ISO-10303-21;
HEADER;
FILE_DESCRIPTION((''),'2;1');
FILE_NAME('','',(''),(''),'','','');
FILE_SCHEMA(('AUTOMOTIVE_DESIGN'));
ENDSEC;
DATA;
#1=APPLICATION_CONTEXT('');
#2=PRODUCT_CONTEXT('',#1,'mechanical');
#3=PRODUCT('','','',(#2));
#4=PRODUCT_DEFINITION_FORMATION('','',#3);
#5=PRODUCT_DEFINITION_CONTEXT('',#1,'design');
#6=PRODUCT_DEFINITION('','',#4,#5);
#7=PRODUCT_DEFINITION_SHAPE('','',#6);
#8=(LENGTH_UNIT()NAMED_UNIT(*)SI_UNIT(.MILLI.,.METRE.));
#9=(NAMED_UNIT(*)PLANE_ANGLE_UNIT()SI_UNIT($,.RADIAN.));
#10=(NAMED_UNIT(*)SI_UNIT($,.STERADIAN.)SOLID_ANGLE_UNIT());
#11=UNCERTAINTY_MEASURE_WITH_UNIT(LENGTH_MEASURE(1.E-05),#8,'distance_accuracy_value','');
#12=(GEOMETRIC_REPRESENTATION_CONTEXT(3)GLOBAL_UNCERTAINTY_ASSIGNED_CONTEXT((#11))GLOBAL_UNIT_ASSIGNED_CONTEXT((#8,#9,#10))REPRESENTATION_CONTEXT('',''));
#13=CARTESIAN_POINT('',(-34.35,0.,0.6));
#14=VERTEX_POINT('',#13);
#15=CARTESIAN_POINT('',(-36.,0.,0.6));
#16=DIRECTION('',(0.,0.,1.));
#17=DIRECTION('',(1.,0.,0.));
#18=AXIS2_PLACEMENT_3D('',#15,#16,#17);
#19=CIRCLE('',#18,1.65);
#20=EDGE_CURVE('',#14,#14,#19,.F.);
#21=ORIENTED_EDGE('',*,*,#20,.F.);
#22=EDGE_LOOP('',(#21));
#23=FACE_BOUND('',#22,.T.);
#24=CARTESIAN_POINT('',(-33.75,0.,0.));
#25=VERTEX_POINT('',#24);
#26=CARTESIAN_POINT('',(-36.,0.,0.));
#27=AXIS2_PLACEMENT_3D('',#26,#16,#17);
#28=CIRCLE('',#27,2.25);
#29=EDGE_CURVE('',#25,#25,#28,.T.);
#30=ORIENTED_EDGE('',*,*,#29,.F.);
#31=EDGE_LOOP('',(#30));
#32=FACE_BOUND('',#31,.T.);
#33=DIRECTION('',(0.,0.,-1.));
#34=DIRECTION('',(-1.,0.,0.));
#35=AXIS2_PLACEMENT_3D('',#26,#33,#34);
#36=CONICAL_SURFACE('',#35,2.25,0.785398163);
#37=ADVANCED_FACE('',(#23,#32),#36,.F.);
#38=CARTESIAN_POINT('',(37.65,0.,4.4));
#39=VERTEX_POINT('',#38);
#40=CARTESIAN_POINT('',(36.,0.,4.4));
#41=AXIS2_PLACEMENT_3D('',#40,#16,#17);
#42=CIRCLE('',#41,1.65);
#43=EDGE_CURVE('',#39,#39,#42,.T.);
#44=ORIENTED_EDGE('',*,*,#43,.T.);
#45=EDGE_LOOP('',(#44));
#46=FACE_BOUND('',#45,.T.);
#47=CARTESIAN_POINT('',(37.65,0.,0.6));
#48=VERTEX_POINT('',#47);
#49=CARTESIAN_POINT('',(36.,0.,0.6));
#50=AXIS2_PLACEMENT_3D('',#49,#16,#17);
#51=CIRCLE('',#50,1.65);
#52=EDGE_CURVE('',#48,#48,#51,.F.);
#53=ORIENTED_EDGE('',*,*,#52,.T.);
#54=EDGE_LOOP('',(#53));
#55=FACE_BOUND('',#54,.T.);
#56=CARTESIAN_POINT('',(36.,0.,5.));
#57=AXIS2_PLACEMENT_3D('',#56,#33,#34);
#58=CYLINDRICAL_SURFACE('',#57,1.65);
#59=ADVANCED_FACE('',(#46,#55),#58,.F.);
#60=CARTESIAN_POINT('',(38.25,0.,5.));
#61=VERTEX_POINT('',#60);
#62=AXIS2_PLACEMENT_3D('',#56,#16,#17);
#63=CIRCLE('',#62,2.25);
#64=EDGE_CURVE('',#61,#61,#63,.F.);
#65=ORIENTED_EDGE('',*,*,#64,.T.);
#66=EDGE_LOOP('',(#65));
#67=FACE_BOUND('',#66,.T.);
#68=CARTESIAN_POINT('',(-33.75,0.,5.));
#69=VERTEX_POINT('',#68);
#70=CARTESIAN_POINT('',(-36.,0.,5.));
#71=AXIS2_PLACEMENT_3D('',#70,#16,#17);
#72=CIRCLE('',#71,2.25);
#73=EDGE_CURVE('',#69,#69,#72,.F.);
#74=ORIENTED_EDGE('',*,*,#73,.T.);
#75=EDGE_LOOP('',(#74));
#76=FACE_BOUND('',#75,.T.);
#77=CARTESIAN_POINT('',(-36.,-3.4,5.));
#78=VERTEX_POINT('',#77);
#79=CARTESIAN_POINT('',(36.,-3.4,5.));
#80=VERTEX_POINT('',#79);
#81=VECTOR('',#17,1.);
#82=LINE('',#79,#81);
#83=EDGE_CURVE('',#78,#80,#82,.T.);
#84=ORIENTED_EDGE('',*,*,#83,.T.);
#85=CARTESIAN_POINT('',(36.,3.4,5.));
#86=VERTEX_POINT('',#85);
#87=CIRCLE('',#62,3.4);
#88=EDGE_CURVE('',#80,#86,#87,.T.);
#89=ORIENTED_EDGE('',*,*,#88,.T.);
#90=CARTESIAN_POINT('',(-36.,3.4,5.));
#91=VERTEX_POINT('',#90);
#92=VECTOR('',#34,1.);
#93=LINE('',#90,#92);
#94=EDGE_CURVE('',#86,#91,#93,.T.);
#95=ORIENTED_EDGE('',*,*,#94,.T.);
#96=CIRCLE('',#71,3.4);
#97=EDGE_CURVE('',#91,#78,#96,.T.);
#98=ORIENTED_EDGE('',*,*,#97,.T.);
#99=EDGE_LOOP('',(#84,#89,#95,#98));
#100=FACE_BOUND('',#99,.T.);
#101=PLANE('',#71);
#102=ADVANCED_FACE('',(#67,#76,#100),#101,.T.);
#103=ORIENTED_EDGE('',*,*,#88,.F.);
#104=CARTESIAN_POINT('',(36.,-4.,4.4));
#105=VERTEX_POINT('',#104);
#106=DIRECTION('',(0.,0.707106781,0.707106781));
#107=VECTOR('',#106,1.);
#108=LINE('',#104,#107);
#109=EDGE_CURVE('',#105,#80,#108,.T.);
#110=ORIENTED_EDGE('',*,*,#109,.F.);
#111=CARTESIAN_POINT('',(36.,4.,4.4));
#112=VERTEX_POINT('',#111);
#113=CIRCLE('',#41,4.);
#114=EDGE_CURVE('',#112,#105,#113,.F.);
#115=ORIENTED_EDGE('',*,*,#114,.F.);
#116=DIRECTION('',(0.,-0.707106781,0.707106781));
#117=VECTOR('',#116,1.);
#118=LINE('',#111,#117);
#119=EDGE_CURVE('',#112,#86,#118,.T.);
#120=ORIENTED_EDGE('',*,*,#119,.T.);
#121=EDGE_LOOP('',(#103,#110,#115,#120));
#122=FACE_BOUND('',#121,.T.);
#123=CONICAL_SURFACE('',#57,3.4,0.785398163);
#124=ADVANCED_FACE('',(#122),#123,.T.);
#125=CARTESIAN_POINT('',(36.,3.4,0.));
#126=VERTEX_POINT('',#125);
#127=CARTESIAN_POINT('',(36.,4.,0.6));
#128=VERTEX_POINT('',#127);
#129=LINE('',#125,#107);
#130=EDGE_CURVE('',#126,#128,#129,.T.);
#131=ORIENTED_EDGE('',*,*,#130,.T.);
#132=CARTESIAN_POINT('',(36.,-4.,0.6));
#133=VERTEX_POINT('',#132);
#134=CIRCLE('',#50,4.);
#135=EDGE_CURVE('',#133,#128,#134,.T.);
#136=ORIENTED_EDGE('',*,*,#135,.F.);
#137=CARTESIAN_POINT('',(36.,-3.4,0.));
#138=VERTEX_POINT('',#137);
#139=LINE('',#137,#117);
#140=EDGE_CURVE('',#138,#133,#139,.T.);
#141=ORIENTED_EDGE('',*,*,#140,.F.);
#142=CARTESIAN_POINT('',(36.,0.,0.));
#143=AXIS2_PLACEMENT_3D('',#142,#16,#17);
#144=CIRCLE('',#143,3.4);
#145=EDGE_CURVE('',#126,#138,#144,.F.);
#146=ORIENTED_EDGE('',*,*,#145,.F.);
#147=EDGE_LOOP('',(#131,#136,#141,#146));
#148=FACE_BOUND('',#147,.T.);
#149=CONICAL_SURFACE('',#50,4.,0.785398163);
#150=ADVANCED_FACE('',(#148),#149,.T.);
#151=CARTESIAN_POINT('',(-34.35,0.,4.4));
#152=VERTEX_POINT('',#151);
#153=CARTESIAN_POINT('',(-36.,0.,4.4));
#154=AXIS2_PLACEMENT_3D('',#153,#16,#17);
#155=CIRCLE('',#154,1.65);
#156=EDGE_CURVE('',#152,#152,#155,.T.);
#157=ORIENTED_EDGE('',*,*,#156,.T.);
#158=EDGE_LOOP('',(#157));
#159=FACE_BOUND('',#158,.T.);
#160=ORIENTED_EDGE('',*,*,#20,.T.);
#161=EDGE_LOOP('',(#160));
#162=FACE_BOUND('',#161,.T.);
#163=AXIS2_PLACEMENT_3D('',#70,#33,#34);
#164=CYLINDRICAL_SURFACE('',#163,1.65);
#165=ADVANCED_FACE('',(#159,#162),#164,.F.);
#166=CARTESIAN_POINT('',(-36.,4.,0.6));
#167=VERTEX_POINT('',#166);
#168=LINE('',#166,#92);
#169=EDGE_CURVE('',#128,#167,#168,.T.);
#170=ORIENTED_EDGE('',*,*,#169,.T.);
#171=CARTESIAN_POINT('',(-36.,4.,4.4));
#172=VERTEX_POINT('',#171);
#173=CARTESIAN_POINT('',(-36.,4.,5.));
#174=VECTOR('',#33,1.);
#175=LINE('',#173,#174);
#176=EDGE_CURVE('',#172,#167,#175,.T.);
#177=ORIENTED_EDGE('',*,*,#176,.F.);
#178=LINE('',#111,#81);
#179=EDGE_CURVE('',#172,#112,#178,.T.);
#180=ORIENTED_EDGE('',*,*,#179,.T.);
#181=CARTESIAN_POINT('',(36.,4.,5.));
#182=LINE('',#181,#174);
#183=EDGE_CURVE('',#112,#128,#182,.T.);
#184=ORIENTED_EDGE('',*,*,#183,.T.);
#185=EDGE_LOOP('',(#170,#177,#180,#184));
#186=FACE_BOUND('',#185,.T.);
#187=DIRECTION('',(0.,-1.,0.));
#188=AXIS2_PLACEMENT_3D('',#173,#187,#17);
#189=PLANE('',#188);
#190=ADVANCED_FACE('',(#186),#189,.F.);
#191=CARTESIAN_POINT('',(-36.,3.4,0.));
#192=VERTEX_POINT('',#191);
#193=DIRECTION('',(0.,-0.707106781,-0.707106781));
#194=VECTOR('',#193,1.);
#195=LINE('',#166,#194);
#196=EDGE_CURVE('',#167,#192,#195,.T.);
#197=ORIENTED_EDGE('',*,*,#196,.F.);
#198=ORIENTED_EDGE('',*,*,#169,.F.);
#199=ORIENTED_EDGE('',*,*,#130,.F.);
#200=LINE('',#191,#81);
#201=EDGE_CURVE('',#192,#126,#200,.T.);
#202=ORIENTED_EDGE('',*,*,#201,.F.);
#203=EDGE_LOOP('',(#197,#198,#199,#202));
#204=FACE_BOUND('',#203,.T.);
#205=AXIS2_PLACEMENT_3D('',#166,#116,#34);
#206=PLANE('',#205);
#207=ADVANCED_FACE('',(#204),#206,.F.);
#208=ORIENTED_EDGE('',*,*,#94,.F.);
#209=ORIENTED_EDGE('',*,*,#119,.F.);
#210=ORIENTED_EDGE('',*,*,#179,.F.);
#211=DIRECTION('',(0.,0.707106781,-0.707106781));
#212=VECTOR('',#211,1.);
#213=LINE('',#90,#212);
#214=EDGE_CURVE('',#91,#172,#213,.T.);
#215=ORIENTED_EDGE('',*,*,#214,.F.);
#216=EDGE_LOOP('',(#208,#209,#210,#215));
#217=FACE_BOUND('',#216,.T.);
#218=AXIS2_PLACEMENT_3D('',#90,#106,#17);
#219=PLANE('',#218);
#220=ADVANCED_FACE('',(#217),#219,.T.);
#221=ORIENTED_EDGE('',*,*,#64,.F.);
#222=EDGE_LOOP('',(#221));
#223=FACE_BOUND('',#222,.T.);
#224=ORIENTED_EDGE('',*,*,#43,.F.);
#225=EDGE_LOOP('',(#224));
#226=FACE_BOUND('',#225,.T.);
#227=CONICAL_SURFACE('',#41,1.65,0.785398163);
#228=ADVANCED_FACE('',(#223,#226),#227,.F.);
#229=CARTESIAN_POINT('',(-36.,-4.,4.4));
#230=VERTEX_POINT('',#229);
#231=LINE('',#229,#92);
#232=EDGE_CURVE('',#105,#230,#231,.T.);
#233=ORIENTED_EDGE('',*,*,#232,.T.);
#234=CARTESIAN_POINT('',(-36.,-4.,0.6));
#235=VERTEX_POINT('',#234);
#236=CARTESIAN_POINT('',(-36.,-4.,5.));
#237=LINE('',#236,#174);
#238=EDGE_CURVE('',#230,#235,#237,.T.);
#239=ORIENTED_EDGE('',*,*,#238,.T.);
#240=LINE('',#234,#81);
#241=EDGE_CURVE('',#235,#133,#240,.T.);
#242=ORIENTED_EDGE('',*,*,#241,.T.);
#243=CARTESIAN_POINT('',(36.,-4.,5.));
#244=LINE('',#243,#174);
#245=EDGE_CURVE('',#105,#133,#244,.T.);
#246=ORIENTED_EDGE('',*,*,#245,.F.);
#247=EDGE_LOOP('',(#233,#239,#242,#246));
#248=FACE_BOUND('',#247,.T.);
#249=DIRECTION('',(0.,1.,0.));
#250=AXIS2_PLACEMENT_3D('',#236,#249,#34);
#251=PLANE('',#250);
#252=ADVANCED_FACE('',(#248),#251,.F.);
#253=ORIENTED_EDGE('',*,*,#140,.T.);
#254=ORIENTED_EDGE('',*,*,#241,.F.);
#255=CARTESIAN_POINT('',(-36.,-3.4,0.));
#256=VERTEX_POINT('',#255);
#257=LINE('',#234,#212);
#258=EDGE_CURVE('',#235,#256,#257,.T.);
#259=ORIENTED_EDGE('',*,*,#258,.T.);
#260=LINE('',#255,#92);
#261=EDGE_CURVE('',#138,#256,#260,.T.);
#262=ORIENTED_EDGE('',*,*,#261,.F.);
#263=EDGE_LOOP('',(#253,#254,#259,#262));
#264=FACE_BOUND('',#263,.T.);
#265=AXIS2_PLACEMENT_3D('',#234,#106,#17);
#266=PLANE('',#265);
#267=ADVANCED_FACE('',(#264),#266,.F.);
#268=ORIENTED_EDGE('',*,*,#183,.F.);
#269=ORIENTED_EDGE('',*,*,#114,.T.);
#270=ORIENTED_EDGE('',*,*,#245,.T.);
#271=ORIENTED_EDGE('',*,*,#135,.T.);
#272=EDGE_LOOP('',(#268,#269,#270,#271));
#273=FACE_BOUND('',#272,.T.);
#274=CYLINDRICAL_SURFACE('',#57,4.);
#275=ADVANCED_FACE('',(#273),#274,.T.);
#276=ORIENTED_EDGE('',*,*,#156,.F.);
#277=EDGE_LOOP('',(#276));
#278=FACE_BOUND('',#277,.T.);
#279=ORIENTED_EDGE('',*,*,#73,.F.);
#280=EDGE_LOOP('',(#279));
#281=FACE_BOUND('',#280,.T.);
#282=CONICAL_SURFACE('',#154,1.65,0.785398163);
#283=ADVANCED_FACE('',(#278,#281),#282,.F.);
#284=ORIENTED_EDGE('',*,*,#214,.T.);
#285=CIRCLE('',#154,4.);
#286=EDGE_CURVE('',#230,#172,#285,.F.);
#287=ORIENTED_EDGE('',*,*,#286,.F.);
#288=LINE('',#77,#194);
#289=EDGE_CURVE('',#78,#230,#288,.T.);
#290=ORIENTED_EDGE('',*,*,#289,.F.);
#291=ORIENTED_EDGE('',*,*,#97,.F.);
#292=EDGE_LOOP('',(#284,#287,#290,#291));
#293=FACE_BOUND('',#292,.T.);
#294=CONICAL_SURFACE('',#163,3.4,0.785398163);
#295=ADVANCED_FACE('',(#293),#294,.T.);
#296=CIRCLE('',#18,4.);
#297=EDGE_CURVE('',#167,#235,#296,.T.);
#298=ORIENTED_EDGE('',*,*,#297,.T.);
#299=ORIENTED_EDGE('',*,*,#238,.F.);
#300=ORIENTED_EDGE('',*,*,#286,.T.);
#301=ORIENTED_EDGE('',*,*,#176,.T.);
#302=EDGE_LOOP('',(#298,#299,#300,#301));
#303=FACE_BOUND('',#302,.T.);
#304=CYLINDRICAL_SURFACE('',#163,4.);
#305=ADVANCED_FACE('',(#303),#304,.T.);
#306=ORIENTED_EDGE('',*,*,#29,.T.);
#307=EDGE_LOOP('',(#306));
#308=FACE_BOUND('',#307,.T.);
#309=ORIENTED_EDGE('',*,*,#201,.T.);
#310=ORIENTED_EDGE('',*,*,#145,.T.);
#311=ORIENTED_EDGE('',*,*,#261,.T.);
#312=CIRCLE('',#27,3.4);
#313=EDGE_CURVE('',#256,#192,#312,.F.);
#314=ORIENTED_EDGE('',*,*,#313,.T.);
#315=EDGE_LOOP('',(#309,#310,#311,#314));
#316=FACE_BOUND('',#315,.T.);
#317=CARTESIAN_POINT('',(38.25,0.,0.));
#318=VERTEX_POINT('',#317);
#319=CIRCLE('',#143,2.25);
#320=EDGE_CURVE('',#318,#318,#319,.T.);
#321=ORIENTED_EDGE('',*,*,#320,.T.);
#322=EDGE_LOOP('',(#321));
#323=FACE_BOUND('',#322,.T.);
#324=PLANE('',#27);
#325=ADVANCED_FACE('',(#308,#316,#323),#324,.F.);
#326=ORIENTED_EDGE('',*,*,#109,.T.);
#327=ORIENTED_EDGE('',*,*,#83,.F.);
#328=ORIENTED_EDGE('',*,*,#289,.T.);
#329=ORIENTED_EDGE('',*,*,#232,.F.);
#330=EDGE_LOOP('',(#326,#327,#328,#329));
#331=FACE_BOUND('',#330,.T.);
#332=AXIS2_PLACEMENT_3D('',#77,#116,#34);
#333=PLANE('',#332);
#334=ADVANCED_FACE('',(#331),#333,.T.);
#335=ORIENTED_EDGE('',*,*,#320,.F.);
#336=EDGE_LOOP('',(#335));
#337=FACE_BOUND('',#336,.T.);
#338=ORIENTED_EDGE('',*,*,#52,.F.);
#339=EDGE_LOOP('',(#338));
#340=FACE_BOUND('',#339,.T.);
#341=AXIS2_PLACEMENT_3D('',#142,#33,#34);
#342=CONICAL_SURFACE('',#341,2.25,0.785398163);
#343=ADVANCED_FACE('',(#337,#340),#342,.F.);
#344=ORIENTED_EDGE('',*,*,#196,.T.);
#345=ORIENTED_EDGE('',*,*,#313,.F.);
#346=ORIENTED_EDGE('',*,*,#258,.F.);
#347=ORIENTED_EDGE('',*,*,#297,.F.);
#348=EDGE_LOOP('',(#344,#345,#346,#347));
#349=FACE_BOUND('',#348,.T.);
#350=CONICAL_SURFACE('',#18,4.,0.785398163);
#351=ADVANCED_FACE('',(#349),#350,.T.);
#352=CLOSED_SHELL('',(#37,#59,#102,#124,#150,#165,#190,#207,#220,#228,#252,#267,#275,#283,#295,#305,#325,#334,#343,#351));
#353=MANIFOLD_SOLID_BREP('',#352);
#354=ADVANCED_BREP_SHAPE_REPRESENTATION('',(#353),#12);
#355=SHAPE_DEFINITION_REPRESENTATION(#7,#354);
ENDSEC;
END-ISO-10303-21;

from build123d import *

# Parameters (mm, degrees)
SKETCH_1_R      = 1.65
EXTRUDE_1_DEPTH = 5
CHAMFER_1_SIZE  = 0.6


with BuildPart() as part:
    # 草图1 → 凸台-拉伸1 (new body)
    with BuildSketch(Plane.XY):
        with BuildLine():
            Line((-36, 4), (36, 4))
            ThreePointArc((36, 4), (40, 0), (36, -4))
            Line((36, -4), (-36, -4))
            ThreePointArc((-36, -4), (-40, 0), (-36, 4))
        make_face()
        with Locations((-36, 0)):
            Circle(SKETCH_1_R, mode=Mode.SUBTRACT)
        with Locations((36, 0)):
            Circle(SKETCH_1_R, mode=Mode.SUBTRACT)
    extrude(amount=EXTRUDE_1_DEPTH)

    # 倒角1
    chamfer_1_edges = [part.edges().sort_by_distance(p)[0] for p in [
        (-37.65, 0, 0),
        (-37.65, 0, 5),
        (40, 0, 5),
        (34.35, 0, 0),
        (34.35, 0, 5),
        (0, 4, 5),
        (-40, 0, 5),
        (0, 4, 0),
        (40, 0, 0),
        (0, -4, 0),
        (-40, 0, 0),
        (0, -4, 5),
    ]]
    chamfer(chamfer_1_edges, length=CHAMFER_1_SIZE)


solid = part.part
